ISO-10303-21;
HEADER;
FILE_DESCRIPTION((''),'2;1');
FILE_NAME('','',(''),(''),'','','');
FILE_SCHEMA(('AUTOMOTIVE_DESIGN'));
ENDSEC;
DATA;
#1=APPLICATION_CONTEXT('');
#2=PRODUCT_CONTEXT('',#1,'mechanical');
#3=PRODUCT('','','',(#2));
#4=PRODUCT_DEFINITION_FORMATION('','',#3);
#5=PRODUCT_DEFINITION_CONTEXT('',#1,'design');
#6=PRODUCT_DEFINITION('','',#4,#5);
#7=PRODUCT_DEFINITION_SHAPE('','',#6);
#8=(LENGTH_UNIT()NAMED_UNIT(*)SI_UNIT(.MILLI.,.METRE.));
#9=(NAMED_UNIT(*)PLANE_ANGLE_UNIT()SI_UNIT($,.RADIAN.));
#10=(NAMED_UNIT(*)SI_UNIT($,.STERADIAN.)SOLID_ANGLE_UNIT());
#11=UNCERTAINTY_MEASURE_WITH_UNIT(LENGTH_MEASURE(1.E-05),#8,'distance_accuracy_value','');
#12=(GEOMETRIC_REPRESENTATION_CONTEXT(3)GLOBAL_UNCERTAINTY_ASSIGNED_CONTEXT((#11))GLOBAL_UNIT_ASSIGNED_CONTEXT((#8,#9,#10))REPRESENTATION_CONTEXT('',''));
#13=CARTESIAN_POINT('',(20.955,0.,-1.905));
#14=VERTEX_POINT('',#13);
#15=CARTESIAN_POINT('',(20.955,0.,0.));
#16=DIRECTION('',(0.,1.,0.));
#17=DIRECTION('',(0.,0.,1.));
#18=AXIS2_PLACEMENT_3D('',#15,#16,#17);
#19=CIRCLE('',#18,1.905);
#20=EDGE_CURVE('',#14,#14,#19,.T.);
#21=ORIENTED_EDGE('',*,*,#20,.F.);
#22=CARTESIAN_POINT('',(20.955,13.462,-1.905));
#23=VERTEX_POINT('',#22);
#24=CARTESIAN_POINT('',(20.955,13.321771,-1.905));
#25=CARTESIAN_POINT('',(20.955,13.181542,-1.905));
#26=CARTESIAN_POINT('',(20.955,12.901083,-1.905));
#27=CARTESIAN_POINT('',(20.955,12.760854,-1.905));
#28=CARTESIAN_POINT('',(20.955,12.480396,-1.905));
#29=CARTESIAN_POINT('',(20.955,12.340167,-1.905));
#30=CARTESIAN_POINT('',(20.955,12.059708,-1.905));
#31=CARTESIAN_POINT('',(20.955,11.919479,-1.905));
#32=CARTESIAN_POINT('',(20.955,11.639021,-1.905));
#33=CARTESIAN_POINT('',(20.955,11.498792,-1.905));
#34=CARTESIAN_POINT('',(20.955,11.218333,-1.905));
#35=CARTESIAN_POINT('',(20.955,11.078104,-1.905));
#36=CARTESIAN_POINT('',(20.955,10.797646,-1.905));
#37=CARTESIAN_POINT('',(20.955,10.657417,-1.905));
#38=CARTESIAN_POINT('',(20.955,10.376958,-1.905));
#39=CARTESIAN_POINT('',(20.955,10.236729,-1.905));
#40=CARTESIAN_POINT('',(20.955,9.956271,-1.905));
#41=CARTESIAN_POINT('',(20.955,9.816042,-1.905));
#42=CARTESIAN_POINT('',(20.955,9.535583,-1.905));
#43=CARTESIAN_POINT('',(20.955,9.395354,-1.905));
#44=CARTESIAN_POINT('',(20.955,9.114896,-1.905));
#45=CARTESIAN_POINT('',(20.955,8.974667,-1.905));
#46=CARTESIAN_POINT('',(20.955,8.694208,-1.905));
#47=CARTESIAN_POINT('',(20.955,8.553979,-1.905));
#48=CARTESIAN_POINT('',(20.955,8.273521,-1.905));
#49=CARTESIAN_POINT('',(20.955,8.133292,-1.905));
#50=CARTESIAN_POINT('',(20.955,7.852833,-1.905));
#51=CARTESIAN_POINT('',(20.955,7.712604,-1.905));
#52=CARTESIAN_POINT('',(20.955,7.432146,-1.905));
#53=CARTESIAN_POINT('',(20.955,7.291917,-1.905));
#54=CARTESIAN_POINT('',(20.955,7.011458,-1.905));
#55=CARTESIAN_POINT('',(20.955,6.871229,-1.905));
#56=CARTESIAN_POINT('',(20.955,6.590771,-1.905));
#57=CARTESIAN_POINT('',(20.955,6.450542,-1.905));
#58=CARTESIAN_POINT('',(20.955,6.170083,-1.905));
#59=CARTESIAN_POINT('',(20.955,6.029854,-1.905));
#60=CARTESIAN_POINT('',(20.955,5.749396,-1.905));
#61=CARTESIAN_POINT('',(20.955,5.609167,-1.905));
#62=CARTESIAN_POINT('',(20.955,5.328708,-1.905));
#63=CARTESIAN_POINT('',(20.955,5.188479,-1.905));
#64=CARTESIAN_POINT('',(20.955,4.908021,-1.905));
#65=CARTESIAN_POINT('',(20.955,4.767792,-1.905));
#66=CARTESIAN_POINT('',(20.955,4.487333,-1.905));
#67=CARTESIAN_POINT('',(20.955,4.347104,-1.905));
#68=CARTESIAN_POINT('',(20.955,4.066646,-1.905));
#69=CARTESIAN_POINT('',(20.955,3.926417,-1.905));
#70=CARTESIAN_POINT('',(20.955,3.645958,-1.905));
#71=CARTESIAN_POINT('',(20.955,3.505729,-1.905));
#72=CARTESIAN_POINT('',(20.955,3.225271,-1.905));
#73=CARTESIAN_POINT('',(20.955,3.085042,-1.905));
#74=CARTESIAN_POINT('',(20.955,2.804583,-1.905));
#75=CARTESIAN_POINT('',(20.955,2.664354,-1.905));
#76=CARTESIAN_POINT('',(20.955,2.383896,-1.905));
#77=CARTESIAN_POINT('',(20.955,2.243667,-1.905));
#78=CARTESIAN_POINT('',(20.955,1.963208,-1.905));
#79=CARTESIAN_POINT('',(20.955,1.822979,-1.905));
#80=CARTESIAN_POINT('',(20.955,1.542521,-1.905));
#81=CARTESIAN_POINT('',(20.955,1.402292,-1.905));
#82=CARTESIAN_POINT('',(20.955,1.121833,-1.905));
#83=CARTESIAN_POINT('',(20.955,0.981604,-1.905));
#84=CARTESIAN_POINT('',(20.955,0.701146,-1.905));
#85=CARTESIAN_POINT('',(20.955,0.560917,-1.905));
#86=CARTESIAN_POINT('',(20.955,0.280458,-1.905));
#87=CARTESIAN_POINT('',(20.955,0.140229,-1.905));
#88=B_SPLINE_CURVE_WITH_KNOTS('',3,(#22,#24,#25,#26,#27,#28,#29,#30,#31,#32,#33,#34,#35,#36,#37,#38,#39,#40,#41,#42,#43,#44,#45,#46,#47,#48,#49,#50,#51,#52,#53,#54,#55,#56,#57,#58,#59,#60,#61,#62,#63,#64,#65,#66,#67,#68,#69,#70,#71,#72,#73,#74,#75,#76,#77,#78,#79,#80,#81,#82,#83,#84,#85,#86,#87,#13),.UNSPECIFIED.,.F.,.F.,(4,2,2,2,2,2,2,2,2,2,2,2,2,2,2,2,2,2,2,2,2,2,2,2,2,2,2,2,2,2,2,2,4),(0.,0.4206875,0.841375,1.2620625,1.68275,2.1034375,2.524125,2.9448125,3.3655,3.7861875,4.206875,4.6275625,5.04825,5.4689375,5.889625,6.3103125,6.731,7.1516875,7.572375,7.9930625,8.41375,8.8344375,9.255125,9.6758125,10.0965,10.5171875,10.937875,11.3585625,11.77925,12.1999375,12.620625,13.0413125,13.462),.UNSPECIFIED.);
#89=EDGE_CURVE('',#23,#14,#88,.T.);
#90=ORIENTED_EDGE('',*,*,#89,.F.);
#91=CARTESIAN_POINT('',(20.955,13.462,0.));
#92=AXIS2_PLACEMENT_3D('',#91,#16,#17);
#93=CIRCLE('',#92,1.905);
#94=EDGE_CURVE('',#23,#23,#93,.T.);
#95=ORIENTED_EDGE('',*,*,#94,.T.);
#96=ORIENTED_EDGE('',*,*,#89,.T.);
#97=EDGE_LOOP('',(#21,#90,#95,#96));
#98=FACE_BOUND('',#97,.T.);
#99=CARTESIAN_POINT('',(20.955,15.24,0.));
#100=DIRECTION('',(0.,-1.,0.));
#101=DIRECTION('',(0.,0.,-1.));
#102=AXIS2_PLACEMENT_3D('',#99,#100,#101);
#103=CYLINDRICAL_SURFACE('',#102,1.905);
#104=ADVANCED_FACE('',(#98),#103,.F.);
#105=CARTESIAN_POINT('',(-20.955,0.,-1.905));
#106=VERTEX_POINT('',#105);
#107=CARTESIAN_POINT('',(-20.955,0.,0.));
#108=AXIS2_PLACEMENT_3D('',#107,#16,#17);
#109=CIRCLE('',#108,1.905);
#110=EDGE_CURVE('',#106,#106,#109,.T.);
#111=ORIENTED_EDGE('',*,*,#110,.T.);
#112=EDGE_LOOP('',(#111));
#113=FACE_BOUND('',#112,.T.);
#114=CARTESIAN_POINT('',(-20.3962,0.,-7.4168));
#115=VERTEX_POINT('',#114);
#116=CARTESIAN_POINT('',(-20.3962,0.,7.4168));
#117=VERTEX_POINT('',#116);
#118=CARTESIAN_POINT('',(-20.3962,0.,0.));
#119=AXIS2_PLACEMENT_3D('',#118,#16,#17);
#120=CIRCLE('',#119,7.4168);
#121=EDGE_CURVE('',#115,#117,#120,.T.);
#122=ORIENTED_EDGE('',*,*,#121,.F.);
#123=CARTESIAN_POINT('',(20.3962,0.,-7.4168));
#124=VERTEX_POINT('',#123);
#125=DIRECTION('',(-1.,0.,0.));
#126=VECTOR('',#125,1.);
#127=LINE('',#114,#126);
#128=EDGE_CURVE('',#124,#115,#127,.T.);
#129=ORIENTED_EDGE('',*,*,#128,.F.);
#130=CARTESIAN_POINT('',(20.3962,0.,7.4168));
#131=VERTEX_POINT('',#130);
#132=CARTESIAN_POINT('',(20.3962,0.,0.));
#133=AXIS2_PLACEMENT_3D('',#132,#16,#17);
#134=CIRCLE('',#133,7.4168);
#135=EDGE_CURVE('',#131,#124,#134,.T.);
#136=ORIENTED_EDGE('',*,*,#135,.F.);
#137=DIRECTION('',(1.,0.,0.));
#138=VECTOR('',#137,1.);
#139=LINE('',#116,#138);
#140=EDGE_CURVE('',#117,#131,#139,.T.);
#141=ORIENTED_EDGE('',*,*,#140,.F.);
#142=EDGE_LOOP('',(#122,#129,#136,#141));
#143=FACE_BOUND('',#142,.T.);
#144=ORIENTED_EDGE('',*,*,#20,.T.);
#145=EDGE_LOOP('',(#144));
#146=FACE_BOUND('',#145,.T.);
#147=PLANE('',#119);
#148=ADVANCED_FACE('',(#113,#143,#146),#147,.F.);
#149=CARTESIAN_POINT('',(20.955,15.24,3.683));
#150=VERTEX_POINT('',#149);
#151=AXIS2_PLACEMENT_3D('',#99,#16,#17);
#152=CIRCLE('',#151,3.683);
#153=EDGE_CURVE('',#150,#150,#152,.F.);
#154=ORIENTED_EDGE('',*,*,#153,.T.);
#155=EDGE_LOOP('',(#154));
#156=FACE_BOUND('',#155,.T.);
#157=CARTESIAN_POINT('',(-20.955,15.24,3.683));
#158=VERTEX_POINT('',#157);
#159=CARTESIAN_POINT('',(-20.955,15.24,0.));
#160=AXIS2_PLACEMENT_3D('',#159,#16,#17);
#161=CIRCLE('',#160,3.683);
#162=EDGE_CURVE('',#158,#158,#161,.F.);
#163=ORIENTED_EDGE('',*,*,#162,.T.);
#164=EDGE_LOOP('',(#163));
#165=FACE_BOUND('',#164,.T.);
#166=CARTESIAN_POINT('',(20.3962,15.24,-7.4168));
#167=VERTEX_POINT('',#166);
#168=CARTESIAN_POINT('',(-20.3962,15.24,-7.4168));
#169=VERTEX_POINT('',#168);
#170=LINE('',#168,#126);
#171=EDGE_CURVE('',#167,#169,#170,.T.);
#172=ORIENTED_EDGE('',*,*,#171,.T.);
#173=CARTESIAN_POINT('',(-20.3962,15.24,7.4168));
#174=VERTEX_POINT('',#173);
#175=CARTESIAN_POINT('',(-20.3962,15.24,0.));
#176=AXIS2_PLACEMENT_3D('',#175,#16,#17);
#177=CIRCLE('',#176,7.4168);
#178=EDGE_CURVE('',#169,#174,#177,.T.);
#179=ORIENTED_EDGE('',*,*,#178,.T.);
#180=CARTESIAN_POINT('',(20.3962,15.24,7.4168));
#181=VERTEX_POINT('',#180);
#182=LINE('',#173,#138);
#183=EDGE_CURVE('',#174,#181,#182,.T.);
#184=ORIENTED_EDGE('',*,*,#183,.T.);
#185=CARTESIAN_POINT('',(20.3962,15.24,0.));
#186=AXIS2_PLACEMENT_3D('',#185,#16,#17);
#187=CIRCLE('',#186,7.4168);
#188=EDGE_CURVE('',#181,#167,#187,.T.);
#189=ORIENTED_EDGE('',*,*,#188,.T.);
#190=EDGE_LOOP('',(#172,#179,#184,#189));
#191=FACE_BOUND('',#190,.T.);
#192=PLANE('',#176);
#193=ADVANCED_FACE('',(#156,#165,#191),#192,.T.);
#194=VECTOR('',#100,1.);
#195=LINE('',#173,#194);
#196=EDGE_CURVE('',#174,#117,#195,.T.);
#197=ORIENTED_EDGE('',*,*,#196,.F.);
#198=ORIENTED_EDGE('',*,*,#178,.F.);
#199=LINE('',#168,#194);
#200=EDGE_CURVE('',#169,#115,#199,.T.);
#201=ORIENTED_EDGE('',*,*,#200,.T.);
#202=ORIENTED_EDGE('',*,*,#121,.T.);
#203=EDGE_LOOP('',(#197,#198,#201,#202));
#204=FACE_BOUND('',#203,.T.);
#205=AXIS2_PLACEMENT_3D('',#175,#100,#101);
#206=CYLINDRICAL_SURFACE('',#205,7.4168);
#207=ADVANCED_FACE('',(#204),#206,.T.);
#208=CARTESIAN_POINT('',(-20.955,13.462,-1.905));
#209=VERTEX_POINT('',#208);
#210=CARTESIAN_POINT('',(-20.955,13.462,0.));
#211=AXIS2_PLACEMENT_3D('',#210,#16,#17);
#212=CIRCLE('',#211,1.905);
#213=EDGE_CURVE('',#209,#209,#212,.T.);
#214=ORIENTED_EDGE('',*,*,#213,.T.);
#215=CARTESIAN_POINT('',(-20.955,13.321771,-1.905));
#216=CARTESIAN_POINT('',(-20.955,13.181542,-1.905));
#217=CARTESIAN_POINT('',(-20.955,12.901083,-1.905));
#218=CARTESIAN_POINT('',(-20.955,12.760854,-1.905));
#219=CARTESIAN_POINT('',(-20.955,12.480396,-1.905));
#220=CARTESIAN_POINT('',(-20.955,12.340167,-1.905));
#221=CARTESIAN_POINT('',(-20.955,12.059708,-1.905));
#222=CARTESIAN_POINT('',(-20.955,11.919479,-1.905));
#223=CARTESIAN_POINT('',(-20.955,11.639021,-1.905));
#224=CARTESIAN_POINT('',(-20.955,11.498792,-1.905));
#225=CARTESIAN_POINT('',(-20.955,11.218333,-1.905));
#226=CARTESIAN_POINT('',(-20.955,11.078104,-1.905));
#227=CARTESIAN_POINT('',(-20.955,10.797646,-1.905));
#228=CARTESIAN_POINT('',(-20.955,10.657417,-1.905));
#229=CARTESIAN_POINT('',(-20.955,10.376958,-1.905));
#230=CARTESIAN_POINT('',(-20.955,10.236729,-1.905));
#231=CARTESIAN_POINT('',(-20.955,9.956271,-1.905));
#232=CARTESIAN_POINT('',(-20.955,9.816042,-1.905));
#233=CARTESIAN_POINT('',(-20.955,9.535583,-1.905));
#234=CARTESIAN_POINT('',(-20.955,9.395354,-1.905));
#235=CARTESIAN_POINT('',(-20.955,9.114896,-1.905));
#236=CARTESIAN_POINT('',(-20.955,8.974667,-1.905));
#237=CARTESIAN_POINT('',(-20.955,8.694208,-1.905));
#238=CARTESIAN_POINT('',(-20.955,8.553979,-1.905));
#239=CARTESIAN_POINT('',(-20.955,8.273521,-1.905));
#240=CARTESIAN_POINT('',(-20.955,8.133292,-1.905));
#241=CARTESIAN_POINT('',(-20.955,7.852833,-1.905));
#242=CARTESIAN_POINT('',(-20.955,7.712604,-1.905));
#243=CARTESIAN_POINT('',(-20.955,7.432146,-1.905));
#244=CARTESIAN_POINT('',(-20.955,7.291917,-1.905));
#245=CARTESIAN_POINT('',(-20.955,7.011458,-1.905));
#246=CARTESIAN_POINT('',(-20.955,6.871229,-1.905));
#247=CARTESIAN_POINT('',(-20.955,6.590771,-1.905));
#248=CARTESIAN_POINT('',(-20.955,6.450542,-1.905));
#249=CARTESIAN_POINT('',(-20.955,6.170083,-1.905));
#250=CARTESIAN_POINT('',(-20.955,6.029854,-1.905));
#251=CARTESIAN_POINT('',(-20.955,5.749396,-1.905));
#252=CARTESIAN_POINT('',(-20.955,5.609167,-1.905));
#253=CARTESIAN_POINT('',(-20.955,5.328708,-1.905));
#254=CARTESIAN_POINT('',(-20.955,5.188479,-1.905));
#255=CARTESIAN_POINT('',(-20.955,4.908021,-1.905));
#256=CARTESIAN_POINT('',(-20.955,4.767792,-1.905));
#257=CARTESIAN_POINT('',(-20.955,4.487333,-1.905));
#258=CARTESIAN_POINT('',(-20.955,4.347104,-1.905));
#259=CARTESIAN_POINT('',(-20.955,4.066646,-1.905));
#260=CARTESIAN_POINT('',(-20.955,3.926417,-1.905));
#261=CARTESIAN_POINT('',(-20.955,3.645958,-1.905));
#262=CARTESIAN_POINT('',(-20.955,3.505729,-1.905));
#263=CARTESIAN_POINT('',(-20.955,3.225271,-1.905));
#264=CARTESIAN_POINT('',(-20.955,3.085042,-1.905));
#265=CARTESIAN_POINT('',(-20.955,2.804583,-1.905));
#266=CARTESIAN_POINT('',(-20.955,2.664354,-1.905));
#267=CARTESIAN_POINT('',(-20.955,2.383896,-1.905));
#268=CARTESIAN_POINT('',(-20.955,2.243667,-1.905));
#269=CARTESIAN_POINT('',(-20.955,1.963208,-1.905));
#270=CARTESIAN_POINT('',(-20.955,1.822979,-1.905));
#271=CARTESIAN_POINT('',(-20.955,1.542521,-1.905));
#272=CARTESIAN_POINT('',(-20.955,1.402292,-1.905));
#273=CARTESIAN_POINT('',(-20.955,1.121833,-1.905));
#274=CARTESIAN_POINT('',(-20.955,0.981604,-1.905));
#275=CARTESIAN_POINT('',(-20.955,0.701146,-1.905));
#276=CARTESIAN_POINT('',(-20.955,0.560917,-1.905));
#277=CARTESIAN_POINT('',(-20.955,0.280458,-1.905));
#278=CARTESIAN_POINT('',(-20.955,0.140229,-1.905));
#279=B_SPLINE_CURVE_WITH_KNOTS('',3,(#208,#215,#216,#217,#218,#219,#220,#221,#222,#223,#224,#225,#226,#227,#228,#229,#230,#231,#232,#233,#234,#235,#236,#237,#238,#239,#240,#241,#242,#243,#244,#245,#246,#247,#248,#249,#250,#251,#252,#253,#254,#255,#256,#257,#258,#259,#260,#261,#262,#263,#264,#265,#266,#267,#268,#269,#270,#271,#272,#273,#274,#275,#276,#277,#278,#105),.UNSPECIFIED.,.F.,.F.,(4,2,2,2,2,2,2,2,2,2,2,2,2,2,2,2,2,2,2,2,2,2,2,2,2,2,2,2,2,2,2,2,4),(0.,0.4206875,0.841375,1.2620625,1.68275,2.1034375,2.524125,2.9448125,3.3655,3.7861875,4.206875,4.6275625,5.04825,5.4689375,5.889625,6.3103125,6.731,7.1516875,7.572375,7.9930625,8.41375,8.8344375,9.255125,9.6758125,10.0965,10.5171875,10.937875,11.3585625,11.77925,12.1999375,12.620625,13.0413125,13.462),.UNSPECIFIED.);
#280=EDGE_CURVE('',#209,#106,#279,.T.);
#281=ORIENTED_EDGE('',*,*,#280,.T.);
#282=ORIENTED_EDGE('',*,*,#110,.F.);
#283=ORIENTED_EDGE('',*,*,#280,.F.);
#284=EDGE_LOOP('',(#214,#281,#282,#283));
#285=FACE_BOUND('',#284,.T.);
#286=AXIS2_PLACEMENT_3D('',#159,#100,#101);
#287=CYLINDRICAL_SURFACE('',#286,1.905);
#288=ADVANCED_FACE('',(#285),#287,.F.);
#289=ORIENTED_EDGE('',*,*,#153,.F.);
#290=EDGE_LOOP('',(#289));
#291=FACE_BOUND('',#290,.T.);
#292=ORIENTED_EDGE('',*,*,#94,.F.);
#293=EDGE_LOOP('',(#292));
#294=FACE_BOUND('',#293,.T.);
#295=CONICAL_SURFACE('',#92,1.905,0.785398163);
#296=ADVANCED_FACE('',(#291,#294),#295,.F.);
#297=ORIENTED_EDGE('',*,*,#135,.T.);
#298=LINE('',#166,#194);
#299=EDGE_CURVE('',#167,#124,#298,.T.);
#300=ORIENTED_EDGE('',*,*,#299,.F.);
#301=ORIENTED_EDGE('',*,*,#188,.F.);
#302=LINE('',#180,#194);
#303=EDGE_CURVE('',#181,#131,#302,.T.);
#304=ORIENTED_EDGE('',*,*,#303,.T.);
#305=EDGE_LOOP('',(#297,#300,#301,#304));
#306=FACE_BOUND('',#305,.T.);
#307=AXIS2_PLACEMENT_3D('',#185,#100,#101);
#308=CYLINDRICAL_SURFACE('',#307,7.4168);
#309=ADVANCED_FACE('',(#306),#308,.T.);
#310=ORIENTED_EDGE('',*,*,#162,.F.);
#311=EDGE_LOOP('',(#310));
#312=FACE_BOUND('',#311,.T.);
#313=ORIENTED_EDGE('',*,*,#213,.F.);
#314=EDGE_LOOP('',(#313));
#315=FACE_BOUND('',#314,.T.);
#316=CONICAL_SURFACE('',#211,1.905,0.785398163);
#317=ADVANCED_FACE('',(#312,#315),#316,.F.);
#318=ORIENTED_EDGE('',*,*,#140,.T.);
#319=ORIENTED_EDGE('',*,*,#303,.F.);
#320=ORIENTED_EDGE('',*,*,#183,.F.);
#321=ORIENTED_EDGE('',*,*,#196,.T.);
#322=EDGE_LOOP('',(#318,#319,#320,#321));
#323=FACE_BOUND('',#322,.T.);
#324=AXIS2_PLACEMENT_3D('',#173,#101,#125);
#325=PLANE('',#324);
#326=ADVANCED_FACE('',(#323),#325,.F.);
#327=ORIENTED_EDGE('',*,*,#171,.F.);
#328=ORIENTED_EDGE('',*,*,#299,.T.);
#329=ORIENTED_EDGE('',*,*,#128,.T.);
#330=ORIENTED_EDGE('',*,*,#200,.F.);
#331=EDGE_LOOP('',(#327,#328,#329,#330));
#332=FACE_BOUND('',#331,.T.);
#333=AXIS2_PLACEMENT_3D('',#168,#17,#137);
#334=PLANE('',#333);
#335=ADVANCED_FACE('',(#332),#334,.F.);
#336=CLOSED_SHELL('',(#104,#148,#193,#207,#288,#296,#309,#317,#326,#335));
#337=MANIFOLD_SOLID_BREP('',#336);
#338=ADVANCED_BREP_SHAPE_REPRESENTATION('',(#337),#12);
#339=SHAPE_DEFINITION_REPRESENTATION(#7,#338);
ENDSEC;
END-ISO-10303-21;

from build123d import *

# Parameters (mm, degrees)
SKETCH1_R           = 1.905
BOSS_EXTRUDE1_DEPTH = 15.24
CHAMFER1_SIZE       = 1.778


with BuildPart() as part:
    # Sketch1 → Boss-Extrude1 (new body)
    with BuildSketch(Plane(origin=(0, 0, 0), x_dir=(1, 0, 0), z_dir=(0, 1, 0))):
        with BuildLine():
            Line((-20.3962, 7.4168), (20.3962, 7.4168))
            ThreePointArc((20.3962, 7.4168), (27.813, 0), (20.3962, -7.4168))
            Line((20.3962, -7.4168), (-20.3962, -7.4168))
            ThreePointArc((-20.3962, -7.4168), (-27.813, 0), (-20.3962, 7.4168))
        make_face()
        with Locations(Location((-20.955, 0, 0), (0, 0, 90))):
            Circle(SKETCH1_R, mode=Mode.SUBTRACT)
        with Locations(Location((20.955, 0, 0), (0, 0, 90))):
            Circle(SKETCH1_R, mode=Mode.SUBTRACT)
    extrude(amount=BOSS_EXTRUDE1_DEPTH)

    # Chamfer1
    chamfer1_edges = [part.edges().sort_by_distance(p)[0] for p in [
        (-20.955, 15.24, 1.905),
        (20.955, 15.24, 1.905),
    ]]
    chamfer(chamfer1_edges, length=CHAMFER1_SIZE)


solid = part.part
